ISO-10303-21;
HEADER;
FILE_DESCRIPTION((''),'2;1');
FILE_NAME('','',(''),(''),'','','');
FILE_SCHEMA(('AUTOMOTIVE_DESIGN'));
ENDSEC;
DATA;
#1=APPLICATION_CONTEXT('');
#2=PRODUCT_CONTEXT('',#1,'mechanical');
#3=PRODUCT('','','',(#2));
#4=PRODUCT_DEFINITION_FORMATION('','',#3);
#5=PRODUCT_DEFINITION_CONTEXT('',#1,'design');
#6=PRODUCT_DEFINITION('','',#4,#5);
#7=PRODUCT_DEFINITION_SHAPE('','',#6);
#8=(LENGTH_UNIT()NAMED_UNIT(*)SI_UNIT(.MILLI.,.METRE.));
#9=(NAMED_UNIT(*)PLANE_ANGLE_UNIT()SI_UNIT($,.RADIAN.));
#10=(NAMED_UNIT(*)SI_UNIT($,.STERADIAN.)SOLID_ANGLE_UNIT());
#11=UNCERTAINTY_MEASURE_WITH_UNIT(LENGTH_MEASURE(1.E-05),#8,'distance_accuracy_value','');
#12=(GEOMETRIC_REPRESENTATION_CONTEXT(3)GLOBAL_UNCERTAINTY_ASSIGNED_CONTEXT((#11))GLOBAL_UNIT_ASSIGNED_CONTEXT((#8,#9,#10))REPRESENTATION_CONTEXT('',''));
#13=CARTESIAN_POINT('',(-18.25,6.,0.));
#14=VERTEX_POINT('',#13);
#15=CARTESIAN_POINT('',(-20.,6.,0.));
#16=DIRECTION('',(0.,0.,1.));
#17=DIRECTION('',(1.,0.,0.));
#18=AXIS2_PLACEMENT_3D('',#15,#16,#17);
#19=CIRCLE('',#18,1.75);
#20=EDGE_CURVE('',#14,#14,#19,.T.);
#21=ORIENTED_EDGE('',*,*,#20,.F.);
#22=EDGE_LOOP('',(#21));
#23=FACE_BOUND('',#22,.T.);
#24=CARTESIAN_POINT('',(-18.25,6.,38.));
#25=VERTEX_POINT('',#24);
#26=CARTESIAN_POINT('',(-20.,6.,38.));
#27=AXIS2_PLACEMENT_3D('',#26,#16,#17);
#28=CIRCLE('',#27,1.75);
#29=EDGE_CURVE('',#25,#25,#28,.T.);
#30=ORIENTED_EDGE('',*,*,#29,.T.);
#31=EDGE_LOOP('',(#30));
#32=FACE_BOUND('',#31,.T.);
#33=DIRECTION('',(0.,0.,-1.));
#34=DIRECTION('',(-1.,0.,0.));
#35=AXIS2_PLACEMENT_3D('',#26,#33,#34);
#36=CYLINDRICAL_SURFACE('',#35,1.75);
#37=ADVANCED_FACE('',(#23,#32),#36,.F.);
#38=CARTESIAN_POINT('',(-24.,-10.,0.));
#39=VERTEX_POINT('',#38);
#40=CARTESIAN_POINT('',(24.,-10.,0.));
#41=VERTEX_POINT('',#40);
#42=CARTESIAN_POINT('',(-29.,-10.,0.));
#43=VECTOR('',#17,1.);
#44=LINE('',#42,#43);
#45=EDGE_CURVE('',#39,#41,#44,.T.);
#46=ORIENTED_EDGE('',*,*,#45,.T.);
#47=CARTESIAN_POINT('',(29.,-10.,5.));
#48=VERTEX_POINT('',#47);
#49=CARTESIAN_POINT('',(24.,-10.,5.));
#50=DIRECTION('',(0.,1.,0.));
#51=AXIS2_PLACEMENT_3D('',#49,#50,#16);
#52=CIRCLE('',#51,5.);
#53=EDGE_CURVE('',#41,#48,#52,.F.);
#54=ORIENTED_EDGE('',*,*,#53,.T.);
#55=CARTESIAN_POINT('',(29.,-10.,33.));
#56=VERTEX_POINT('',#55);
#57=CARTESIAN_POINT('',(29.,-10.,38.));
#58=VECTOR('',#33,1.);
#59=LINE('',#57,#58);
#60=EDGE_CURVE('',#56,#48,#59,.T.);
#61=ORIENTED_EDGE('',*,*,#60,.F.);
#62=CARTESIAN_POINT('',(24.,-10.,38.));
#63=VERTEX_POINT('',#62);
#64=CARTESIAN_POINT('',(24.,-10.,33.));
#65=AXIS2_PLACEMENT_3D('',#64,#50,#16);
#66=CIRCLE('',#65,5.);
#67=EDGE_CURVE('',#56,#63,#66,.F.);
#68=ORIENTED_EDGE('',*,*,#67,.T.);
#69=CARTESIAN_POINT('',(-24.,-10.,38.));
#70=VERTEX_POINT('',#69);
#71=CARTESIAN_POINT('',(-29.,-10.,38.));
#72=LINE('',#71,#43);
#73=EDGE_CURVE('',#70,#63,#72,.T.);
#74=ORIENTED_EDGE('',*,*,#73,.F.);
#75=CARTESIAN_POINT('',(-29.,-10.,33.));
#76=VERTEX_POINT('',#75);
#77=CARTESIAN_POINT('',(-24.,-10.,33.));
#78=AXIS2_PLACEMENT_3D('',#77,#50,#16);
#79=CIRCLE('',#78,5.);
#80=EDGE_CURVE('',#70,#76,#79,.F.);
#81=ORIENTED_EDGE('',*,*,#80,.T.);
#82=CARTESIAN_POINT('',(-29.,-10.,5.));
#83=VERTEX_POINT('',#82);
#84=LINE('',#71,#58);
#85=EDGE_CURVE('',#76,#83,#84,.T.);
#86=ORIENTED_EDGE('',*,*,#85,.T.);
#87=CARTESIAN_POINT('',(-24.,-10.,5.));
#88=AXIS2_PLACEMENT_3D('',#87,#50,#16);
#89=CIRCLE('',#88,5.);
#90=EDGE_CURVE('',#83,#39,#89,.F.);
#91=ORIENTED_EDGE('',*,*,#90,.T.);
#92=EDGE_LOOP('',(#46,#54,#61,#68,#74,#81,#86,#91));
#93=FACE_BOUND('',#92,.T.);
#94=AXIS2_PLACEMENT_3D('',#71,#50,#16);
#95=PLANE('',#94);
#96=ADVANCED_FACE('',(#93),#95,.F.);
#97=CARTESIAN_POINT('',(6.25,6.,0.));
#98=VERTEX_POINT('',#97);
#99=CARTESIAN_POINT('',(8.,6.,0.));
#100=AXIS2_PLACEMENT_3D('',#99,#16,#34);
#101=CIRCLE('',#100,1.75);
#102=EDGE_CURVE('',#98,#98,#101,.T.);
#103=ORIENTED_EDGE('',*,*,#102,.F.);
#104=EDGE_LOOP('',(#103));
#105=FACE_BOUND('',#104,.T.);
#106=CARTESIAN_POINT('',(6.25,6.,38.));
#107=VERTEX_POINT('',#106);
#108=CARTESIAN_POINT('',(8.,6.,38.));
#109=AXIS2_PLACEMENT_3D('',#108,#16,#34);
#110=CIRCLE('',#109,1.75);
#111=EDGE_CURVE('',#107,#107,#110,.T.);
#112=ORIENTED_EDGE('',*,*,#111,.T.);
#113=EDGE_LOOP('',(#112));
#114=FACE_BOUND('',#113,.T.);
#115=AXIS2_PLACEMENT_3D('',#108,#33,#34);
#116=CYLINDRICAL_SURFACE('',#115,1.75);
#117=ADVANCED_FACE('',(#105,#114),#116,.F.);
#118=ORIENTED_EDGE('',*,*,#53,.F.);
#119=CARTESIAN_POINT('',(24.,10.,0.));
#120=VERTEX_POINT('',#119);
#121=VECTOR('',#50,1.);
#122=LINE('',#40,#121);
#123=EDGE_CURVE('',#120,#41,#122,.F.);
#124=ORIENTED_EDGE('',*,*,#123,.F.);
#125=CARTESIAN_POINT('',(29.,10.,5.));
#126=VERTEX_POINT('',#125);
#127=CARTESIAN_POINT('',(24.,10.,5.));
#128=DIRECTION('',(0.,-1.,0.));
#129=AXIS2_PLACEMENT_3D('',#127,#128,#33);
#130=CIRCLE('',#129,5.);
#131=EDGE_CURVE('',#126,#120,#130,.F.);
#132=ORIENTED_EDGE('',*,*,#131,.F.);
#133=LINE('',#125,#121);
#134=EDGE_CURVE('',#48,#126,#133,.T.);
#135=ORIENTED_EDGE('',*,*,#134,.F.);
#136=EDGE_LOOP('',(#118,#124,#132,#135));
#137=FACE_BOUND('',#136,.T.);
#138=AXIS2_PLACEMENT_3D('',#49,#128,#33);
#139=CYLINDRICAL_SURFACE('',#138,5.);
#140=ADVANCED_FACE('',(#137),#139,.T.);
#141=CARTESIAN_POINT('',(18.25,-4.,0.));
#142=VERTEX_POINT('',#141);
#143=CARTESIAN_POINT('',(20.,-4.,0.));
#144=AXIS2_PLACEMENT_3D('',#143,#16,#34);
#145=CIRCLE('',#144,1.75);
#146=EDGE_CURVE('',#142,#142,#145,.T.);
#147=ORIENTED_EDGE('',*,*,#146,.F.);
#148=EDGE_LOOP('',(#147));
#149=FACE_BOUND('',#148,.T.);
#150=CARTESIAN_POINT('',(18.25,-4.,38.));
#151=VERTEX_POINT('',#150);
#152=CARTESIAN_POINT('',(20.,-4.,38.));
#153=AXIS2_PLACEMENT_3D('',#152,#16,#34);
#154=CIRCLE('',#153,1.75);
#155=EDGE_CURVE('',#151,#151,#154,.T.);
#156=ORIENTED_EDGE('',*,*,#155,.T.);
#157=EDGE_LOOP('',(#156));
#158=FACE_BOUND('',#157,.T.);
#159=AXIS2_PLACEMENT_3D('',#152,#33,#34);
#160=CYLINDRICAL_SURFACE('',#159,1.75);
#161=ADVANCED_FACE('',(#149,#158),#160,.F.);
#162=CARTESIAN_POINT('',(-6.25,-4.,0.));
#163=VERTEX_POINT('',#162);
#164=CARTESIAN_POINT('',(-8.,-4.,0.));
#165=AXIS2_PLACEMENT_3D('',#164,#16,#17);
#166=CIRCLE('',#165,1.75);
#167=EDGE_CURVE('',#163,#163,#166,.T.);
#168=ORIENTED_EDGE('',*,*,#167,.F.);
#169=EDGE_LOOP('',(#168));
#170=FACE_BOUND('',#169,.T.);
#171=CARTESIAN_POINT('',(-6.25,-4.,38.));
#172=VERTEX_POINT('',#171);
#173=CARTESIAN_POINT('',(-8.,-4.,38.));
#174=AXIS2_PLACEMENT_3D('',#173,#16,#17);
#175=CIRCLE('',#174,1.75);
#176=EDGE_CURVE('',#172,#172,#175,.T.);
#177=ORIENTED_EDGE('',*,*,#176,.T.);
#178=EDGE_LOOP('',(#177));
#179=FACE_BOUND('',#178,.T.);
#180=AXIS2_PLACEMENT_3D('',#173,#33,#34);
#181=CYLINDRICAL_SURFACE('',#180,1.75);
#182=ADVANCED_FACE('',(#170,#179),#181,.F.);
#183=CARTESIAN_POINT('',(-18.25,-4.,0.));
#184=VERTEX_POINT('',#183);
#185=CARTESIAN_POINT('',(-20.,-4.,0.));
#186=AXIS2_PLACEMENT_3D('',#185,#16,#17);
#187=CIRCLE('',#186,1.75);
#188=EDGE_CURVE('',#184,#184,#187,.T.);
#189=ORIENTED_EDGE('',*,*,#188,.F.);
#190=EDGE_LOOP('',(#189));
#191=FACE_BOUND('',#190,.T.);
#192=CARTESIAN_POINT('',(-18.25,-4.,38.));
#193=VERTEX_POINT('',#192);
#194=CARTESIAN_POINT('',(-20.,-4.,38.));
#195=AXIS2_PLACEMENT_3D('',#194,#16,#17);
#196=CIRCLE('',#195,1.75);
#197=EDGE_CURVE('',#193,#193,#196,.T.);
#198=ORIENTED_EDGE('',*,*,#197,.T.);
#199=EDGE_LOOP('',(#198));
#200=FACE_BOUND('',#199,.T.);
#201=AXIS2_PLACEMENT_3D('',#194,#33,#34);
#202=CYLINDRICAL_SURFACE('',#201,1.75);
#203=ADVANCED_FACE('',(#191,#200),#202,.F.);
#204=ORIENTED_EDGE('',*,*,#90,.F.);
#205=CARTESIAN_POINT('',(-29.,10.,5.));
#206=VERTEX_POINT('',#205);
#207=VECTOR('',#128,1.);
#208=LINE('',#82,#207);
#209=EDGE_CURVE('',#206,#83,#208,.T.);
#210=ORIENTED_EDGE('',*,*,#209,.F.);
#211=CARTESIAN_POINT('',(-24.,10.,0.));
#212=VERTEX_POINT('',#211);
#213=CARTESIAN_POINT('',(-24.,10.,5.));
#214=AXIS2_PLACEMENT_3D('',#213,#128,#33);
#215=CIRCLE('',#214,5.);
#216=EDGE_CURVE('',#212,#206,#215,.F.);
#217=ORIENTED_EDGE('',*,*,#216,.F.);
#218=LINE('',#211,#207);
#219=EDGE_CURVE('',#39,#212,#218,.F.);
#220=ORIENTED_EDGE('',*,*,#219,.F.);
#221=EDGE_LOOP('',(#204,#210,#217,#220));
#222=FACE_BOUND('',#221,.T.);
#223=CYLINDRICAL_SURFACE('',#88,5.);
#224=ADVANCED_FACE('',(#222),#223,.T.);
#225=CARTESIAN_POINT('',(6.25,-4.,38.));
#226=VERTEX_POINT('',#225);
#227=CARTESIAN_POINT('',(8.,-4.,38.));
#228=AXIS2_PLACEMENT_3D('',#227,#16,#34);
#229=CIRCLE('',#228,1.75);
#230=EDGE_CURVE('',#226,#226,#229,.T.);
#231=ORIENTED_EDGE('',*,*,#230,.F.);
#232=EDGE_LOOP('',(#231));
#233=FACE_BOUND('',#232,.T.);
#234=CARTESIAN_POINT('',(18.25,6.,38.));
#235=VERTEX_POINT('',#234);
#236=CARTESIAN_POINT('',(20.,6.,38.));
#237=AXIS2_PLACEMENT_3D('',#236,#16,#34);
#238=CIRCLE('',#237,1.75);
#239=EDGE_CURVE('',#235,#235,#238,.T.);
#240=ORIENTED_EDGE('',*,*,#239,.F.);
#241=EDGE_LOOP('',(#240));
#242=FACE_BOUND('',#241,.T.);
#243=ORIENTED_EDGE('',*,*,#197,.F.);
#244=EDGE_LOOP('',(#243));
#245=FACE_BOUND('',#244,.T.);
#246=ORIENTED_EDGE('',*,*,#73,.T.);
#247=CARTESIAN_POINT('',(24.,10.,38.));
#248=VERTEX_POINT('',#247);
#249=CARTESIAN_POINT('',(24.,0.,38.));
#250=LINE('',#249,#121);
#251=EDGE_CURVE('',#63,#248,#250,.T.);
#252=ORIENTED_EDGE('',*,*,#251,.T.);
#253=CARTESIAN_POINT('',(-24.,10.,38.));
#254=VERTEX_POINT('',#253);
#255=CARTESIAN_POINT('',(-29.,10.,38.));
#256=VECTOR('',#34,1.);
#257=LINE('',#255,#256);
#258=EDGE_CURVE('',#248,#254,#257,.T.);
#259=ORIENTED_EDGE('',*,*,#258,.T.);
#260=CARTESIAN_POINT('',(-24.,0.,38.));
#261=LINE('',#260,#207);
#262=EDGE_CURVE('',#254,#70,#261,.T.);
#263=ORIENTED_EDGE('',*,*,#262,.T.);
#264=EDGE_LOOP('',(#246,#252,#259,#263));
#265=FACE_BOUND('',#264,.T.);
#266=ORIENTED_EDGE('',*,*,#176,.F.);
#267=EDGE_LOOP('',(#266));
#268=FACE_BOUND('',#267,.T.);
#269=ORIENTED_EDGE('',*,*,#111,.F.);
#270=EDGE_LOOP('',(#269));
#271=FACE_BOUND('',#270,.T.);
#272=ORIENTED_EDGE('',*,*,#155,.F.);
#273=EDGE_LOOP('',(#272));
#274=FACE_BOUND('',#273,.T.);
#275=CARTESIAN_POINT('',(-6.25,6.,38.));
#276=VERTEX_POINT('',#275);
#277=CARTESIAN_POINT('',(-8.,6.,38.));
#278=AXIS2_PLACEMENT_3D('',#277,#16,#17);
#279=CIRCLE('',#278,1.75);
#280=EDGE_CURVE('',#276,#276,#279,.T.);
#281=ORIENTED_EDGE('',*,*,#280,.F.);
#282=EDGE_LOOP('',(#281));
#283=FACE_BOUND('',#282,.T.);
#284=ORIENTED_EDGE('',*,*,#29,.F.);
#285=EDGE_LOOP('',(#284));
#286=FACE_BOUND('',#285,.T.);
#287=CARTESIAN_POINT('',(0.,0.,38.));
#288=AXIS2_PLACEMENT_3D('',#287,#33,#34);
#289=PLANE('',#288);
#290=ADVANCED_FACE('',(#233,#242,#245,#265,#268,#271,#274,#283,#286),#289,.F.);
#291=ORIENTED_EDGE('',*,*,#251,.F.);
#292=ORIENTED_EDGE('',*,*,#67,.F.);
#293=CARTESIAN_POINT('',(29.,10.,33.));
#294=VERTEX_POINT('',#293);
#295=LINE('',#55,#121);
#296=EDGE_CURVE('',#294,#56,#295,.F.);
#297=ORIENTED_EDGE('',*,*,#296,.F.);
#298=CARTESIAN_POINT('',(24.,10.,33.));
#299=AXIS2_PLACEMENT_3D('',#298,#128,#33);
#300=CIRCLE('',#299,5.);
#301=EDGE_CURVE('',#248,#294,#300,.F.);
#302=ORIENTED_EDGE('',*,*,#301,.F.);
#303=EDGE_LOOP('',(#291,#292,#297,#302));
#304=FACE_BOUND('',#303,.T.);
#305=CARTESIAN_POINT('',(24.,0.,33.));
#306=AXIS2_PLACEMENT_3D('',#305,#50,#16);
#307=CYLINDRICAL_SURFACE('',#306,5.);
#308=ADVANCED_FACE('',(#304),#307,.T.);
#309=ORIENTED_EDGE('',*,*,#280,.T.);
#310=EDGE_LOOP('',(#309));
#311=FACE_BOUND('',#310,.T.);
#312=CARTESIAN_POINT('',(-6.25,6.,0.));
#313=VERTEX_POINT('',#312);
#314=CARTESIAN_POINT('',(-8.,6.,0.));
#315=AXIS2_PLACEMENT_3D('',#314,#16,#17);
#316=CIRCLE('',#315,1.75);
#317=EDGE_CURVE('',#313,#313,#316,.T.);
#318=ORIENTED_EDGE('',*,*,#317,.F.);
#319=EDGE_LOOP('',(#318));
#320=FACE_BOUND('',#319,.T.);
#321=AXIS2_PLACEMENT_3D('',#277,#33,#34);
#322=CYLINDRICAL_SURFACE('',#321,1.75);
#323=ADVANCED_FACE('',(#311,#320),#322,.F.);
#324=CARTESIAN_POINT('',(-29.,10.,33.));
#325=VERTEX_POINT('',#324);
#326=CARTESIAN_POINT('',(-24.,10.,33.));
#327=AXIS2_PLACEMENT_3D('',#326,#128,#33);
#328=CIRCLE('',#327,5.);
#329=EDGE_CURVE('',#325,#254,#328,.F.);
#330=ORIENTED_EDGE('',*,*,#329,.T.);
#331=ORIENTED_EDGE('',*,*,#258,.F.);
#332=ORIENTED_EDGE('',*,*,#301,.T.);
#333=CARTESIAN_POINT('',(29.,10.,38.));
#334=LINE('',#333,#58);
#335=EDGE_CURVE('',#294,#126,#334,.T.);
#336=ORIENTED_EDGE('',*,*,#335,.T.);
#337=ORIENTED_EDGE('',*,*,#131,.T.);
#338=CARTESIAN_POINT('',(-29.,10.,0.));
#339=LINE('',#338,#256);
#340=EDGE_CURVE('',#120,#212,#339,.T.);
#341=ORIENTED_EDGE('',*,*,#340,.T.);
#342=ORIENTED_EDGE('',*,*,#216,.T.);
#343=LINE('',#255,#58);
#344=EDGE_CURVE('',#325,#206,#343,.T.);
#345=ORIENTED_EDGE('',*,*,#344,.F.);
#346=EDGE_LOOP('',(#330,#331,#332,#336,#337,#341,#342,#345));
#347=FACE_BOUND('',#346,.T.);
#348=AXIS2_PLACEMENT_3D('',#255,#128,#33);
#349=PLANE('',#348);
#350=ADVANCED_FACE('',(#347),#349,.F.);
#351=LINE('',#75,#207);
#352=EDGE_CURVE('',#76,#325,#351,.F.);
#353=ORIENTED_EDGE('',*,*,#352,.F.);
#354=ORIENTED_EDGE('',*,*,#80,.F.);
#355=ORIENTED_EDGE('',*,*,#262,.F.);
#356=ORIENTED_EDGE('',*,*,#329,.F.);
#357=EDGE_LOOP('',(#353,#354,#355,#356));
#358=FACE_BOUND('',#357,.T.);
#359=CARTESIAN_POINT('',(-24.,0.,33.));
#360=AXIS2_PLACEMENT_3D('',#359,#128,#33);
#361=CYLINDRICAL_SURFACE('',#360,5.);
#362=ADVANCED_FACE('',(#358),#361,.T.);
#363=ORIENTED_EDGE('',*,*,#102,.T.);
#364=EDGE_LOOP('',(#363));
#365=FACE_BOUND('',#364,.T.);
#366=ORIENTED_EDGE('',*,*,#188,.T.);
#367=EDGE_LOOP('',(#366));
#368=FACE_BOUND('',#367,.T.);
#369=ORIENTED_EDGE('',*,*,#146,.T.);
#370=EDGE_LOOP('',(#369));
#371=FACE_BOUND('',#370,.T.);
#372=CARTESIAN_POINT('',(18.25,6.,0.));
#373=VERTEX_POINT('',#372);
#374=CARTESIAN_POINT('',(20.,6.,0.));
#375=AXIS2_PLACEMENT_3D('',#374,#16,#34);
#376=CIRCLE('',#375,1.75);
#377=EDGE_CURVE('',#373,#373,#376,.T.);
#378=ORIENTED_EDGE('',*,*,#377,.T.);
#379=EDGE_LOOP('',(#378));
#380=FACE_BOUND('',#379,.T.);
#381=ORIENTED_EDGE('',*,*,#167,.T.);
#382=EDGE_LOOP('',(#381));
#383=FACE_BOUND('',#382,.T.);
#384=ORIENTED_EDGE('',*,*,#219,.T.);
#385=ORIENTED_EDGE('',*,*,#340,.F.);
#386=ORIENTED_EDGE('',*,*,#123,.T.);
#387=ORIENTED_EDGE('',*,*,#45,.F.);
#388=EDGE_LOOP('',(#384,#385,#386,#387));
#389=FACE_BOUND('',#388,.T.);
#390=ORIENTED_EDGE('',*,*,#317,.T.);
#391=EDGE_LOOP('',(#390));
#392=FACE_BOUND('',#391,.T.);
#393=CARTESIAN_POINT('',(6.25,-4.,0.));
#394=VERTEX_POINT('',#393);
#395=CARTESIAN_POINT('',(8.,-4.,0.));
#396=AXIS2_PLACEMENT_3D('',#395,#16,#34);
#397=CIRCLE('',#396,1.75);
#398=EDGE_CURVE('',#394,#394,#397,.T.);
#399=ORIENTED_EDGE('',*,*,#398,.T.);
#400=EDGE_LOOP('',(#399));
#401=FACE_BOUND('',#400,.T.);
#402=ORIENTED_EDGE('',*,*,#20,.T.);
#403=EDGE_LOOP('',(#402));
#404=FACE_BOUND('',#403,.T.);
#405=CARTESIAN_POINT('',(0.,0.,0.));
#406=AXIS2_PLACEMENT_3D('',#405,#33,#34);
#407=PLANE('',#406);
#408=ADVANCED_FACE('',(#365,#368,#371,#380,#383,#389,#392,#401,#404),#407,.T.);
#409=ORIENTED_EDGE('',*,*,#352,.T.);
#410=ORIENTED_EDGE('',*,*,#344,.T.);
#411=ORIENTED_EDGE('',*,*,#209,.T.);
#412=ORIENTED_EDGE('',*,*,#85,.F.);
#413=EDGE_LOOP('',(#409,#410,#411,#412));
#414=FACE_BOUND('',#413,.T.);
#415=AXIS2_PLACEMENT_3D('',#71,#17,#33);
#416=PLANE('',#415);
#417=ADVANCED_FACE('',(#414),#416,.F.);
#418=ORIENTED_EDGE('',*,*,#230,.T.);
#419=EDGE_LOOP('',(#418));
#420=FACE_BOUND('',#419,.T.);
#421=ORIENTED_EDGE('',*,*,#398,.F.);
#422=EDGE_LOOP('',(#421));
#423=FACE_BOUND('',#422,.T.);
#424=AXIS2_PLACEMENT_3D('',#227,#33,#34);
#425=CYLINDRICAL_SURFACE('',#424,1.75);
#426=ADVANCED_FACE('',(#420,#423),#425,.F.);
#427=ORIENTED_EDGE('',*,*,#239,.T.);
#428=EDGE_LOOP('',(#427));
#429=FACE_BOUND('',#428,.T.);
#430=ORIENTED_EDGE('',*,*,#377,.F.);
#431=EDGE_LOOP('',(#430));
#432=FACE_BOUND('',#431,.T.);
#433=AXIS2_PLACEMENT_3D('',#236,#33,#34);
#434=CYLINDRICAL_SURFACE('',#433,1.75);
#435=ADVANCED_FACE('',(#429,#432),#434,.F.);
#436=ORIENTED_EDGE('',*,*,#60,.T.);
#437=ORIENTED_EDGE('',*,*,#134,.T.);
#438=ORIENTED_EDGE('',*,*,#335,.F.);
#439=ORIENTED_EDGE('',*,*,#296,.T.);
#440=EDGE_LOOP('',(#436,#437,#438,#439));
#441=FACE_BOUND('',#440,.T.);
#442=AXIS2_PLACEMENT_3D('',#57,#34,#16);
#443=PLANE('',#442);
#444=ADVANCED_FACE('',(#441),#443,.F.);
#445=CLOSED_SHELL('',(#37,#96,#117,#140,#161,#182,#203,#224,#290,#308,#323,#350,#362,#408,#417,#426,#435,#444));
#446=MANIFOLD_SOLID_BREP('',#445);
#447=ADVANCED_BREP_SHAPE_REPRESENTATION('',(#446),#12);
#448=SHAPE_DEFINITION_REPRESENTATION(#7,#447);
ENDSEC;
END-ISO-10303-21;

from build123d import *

# Parameters (mm, degrees)
SKETCH_1_W      = 58
SKETCH_1_H      = 20
SKETCH_1_R      = 1.75
EXTRUDE_1_DEPTH = 38
FILLET_1_R      = 5


with BuildPart() as part:
    # 草图1 → 凸台-拉伸1 (new body)
    with BuildSketch(Plane.XY):
        Rectangle(SKETCH_1_W, SKETCH_1_H)
        with Locations((-20, 6)):
            Circle(SKETCH_1_R, mode=Mode.SUBTRACT)
        with Locations((-8, 6)):
            Circle(SKETCH_1_R, mode=Mode.SUBTRACT)
        with Locations(Location((8, 6, 0), (0, 0, 180))):
            Circle(SKETCH_1_R, mode=Mode.SUBTRACT)
        with Locations(Location((20, 6, 0), (0, 0, 180))):
            Circle(SKETCH_1_R, mode=Mode.SUBTRACT)
        with Locations((-20, -4)):
            Circle(SKETCH_1_R, mode=Mode.SUBTRACT)
        with Locations((-8, -4)):
            Circle(SKETCH_1_R, mode=Mode.SUBTRACT)
        with Locations(Location((8, -4, 0), (0, 0, 180))):
            Circle(SKETCH_1_R, mode=Mode.SUBTRACT)
        with Locations(Location((20, -4, 0), (0, 0, 180))):
            Circle(SKETCH_1_R, mode=Mode.SUBTRACT)
    extrude(amount=EXTRUDE_1_DEPTH)

    # 圆角1
    fillet_1_edges = [part.edges().sort_by_distance(p)[0] for p in [
        (-29, 0, 38),
        (29, 0, 38),
        (-29, 0, 0),
        (29, 0, 0),
    ]]
    fillet(fillet_1_edges, radius=FILLET_1_R)


solid = part.part
